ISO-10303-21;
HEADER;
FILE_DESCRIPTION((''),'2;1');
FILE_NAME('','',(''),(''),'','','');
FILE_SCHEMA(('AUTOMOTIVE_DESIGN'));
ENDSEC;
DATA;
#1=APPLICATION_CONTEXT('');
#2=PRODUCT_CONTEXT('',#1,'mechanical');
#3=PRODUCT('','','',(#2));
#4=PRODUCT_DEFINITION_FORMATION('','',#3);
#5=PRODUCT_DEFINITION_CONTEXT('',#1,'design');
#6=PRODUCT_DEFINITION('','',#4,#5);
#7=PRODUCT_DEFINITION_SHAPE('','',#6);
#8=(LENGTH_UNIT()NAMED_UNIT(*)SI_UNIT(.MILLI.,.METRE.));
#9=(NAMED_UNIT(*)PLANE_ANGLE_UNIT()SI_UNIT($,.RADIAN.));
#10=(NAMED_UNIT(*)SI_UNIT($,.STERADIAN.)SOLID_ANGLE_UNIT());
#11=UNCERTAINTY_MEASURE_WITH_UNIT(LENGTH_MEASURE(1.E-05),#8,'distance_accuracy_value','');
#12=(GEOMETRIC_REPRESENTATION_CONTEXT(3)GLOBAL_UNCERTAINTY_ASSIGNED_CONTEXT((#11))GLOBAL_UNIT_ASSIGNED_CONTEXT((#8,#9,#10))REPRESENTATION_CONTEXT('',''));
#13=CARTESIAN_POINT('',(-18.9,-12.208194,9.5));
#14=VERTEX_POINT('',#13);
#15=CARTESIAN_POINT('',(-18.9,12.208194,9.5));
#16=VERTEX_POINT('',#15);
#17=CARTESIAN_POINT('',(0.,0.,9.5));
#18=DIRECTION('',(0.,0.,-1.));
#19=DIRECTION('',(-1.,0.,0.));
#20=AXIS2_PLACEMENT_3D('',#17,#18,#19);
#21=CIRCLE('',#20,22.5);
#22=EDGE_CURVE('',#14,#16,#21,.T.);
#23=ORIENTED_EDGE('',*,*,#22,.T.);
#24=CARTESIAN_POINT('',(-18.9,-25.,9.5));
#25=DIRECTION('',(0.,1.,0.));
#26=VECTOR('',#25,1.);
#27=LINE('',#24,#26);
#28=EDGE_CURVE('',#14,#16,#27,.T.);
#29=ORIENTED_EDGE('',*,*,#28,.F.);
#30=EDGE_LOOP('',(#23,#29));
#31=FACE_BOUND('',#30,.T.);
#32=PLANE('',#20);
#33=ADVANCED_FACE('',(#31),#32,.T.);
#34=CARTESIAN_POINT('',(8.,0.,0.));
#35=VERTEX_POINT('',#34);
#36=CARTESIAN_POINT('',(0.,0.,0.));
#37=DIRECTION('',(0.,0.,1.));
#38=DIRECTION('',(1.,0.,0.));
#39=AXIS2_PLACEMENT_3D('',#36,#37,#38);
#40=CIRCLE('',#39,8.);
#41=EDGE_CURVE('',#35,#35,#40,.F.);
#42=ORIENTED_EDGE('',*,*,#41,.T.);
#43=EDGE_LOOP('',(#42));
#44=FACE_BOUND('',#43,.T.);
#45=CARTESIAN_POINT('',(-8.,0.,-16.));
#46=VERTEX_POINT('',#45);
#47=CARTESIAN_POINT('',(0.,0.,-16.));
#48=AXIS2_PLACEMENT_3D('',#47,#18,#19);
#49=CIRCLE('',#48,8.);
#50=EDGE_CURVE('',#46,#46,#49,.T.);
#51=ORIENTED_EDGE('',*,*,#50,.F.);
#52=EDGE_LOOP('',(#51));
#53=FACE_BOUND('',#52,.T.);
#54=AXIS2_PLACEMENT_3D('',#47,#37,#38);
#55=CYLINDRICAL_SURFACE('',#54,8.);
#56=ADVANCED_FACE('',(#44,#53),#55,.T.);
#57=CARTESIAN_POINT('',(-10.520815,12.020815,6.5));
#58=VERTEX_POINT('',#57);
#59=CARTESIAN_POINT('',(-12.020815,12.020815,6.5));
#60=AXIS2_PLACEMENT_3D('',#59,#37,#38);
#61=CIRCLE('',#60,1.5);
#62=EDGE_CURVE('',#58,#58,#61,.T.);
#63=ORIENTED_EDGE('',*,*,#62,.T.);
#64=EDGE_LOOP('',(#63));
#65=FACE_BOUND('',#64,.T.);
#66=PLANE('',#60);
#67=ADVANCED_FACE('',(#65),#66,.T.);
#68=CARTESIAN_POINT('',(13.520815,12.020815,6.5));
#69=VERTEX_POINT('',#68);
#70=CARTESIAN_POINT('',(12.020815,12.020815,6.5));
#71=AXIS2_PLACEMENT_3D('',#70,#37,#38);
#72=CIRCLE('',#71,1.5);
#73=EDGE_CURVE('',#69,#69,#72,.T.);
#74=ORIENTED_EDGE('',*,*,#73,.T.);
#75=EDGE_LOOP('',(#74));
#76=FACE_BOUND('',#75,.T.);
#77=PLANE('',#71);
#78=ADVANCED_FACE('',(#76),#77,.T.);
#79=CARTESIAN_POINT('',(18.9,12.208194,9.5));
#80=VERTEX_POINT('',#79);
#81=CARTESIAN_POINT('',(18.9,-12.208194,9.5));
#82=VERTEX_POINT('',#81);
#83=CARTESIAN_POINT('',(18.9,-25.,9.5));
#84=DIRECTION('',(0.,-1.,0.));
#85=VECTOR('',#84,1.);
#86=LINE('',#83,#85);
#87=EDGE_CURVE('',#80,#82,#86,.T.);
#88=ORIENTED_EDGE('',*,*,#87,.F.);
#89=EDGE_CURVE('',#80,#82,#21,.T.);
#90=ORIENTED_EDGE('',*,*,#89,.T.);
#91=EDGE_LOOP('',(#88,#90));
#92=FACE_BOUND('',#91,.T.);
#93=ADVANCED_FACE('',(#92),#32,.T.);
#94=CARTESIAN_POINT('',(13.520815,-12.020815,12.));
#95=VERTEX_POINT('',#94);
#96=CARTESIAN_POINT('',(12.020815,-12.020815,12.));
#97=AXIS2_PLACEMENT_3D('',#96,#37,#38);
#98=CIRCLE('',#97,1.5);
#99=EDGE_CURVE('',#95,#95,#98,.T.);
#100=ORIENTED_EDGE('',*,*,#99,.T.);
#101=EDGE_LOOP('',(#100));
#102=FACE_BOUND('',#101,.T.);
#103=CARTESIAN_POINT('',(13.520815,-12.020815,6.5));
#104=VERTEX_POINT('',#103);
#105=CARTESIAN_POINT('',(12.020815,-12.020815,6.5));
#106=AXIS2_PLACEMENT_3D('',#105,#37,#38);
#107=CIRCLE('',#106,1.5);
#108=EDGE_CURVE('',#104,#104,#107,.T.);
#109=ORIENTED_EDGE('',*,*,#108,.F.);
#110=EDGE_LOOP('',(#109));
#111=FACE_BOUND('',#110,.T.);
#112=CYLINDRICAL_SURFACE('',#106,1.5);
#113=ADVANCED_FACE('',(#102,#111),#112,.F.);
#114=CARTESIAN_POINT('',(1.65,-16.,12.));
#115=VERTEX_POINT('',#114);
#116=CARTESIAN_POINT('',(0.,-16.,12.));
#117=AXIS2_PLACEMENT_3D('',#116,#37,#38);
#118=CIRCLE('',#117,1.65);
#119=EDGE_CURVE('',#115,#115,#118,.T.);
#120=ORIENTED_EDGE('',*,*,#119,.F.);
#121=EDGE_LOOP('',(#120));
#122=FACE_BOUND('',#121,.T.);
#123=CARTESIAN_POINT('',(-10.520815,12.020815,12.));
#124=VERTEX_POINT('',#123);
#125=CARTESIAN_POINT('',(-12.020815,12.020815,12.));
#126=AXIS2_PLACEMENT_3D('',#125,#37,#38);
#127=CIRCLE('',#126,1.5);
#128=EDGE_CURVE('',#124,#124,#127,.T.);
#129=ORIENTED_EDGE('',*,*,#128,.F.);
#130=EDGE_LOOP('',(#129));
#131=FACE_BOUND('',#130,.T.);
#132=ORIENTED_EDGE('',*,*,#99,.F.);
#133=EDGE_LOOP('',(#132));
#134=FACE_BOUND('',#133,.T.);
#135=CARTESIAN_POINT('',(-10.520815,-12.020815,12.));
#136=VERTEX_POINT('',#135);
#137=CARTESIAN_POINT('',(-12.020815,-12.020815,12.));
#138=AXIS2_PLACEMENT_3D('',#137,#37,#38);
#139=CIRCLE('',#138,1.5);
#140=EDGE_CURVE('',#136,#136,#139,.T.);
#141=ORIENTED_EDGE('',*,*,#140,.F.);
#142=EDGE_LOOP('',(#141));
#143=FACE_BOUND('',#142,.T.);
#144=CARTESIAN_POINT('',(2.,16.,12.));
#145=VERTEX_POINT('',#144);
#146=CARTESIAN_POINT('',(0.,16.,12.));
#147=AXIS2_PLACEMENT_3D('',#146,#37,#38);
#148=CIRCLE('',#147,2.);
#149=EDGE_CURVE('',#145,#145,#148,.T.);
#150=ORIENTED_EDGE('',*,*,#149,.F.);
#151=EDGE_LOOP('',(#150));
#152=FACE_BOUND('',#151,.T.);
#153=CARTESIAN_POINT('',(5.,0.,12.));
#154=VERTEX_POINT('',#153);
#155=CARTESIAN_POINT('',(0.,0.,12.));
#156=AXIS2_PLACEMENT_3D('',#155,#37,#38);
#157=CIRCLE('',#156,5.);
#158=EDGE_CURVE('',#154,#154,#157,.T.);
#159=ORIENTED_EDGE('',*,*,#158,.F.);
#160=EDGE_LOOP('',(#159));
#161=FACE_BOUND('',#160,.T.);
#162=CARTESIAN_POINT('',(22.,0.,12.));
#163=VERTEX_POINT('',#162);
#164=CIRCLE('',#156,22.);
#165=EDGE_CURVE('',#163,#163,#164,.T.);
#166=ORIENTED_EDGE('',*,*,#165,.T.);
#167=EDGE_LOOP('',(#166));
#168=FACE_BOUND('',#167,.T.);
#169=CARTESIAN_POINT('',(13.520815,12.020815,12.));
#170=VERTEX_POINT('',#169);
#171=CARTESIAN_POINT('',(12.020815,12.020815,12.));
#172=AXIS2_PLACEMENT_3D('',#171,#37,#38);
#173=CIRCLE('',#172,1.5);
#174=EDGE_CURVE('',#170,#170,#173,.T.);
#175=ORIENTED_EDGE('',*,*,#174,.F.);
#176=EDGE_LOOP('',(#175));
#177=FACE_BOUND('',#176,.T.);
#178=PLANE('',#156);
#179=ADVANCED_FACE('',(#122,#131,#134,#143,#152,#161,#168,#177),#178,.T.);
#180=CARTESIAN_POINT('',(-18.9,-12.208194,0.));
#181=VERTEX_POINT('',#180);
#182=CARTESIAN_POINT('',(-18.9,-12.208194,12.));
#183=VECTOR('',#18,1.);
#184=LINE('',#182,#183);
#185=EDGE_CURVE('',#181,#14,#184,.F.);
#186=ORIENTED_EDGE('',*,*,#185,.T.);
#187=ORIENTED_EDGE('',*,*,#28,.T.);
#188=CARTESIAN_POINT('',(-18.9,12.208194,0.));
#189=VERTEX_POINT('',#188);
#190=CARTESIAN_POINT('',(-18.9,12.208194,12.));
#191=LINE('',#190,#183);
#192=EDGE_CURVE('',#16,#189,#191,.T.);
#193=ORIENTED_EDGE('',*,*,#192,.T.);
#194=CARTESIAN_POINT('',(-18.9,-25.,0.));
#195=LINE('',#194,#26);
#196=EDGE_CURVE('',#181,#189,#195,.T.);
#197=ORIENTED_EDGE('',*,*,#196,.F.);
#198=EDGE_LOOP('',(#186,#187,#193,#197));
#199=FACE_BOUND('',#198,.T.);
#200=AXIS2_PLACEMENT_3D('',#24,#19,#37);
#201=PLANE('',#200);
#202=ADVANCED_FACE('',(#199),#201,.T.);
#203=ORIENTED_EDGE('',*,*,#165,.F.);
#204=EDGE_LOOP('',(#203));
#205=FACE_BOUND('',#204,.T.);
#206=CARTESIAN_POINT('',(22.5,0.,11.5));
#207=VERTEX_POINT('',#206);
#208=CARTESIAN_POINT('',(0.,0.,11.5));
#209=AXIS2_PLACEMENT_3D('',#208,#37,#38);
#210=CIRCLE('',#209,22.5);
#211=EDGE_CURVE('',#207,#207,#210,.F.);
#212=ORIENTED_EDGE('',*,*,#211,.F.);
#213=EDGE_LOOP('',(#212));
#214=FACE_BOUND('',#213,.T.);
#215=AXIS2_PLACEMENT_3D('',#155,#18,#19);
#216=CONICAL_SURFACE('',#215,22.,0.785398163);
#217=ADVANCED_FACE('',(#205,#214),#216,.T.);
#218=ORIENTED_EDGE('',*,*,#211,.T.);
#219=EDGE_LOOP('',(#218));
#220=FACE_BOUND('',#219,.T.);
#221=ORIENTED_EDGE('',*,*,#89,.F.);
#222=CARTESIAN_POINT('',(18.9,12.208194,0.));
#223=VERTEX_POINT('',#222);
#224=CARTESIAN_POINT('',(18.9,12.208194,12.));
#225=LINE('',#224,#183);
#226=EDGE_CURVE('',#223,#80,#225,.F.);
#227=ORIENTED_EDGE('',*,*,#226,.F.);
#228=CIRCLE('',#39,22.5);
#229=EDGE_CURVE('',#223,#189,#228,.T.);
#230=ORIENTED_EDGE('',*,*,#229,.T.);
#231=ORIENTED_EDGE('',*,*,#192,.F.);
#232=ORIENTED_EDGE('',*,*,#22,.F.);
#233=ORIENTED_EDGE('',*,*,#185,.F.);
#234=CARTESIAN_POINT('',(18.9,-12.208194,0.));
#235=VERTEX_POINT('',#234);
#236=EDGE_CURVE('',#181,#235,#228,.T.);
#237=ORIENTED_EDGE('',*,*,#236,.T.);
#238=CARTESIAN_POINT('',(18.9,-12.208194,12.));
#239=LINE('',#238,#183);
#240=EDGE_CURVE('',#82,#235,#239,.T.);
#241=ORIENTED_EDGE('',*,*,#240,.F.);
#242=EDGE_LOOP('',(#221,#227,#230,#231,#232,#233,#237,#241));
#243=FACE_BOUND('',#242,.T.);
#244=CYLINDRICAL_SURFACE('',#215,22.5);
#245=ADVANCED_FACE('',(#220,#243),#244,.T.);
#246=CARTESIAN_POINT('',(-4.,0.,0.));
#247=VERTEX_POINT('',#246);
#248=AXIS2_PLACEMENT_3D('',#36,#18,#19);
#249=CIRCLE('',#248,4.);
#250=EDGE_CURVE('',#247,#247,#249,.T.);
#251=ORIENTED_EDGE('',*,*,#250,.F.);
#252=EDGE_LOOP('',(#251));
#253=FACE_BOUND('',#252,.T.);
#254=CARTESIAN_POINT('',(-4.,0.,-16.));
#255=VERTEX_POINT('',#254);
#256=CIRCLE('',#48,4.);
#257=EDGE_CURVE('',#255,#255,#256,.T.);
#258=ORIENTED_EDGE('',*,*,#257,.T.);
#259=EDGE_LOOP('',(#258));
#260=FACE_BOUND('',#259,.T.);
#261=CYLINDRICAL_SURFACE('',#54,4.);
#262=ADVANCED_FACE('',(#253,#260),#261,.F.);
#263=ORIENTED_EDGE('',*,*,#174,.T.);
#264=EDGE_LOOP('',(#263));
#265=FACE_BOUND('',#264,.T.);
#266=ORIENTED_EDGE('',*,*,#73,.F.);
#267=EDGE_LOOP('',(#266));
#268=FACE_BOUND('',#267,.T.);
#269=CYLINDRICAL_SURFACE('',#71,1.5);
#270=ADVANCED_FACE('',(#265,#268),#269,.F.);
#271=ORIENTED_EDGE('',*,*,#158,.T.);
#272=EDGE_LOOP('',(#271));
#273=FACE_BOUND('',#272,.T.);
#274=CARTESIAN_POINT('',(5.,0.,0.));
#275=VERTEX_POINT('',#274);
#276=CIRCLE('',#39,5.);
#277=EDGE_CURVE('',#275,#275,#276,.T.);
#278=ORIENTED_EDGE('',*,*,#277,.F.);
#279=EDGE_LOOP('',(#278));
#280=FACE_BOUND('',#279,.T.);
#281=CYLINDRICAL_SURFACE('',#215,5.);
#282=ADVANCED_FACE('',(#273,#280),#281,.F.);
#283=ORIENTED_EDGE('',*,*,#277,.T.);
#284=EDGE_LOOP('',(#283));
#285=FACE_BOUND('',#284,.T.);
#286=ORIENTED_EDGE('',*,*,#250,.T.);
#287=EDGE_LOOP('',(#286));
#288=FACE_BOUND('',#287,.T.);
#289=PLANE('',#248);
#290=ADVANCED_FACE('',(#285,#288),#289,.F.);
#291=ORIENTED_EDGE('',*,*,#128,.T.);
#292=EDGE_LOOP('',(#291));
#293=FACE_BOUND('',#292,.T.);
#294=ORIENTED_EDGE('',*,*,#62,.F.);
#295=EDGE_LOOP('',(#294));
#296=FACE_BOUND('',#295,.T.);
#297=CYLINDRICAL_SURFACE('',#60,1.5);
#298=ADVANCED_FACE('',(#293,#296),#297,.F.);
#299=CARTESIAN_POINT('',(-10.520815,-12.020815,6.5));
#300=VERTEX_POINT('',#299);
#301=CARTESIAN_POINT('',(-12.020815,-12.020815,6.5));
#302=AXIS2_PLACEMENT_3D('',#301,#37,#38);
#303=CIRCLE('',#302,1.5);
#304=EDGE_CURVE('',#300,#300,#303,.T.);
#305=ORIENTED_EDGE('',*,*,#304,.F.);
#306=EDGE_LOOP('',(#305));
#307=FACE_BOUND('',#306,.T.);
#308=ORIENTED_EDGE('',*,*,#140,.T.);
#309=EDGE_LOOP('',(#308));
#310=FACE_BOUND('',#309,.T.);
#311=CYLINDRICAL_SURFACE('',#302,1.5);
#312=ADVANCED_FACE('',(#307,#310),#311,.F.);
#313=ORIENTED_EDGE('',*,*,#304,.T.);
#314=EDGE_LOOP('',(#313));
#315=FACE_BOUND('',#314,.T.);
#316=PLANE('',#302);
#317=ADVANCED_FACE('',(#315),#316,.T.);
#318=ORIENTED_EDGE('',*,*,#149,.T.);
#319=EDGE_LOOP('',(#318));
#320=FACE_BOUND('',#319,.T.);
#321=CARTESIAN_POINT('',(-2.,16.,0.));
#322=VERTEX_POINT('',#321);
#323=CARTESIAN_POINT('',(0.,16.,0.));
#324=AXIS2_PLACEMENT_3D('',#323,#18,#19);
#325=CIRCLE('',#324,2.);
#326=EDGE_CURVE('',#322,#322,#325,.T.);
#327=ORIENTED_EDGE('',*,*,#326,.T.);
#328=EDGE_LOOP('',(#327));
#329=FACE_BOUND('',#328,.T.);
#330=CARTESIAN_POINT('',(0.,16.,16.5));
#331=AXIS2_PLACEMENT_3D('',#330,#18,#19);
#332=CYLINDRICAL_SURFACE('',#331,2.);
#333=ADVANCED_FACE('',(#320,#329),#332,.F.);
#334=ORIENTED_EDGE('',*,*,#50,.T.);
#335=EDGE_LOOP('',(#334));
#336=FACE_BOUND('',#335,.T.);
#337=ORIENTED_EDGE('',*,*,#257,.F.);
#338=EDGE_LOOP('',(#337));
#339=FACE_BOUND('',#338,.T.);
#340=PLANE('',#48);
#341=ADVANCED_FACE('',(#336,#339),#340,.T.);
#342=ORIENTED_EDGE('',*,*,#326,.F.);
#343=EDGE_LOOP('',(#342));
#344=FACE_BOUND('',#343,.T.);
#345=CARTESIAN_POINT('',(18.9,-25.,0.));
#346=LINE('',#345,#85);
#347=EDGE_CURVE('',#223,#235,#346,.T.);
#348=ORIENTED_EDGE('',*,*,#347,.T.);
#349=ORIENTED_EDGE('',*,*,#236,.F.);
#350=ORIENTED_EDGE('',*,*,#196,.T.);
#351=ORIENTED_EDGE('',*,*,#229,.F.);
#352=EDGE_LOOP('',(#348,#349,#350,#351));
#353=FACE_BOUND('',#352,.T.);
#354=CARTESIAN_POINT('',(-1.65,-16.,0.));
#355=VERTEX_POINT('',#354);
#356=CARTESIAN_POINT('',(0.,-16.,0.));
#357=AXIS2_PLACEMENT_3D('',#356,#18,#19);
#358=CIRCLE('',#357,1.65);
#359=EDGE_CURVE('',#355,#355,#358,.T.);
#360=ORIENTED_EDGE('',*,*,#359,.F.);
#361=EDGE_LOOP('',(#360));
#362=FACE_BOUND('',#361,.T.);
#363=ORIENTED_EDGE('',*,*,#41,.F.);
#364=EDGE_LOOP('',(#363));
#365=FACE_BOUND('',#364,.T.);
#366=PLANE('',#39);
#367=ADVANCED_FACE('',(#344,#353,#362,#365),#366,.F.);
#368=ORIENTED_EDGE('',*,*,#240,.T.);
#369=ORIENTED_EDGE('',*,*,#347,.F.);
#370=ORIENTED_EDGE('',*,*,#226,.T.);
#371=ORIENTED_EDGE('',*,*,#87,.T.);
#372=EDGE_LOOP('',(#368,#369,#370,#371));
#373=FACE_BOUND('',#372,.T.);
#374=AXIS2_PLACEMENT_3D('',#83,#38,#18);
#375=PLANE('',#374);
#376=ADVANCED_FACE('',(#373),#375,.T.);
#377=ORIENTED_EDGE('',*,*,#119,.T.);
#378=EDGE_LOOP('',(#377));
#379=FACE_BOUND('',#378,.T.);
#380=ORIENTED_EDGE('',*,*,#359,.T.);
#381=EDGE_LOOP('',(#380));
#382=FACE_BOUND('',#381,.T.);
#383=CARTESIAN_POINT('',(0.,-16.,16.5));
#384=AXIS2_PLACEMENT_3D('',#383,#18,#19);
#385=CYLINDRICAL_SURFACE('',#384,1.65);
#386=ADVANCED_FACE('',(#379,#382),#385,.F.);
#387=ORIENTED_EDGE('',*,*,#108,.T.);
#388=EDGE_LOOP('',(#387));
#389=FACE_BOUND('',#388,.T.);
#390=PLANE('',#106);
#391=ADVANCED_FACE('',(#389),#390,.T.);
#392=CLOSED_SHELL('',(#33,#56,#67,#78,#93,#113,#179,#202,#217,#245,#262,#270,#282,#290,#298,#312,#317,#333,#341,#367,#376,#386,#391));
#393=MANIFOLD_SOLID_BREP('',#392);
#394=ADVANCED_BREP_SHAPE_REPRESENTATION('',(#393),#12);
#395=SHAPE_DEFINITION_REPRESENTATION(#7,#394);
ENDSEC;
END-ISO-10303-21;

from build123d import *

# Parameters (mm, degrees)
SKETCH_1_R           = 22.5
SKETCH_1_R_2         = 5
EXTRUDE_1_DEPTH      = 12
SKETCH_2_R           = 1.5
CUT_EXTRUDE_1_DEPTH  = 5.5
CHAMFER_1_SIZE       = 0.5
SKETCH_3_OUTSIDE_W   = 59.952
SKETCH_3_OUTSIDE_H   = 59.952
SKETCH_3_OUTSIDE_W_2 = 37.8
SKETCH_3_OUTSIDE_H_2 = 50
CUT_EXTRUDE_2_DEPTH  = 9.5
SKETCH_4_R           = 8
SKETCH_4_R_2         = 4
EXTRUDE_2_DEPTH      = 16
SKETCH_5_R           = 2
SKETCH_5_R_2         = 1.65
CUT_EXTRUDE_3_DEPTH  = 16.5


with BuildPart() as part:
    # 草图1 → 凸台-拉伸1 (new body)
    with BuildSketch(Plane.XY):
        Circle(SKETCH_1_R)
        Circle(SKETCH_1_R_2, mode=Mode.SUBTRACT)
    extrude(amount=EXTRUDE_1_DEPTH)

    # 草图2 → 切除-拉伸1 (cut)
    with BuildSketch(Plane.XY.offset(12)):
        with Locations((12.02081528, 12.02081528)):
            Circle(SKETCH_2_R)
        with Locations((12.02081528, -12.02081528)):
            Circle(SKETCH_2_R)
        with Locations((-12.02081528, -12.02081528)):
            Circle(SKETCH_2_R)
        with Locations((-12.02081528, 12.02081528)):
            Circle(SKETCH_2_R)
    extrude(amount=-CUT_EXTRUDE_1_DEPTH, mode=Mode.SUBTRACT)

    # 倒角1
    chamfer_1_edges = [part.edges().sort_by_distance(p)[0] for p in [
        (-22.5, 0, 12),
    ]]
    chamfer(chamfer_1_edges, length=CHAMFER_1_SIZE)

    # 草图3 outside → 切除-拉伸2 (cut)
    with BuildSketch(Plane(origin=(0, 0, 0), x_dir=(-1, 0, 0), z_dir=(0, 0, -1))):
        Rectangle(SKETCH_3_OUTSIDE_W, SKETCH_3_OUTSIDE_H)
        Rectangle(SKETCH_3_OUTSIDE_W_2, SKETCH_3_OUTSIDE_H_2, mode=Mode.SUBTRACT)
    extrude(amount=-CUT_EXTRUDE_2_DEPTH, mode=Mode.SUBTRACT)

    # 草图4 → 凸台-拉伸2 (add)
    with BuildSketch(Plane(origin=(0, 0, 0), x_dir=(-1, 0, 0), z_dir=(0, 0, -1))):
        with Locations(Location((0, 0, 0), (0, 0, 180))):
            Circle(SKETCH_4_R)
        Circle(SKETCH_4_R_2, mode=Mode.SUBTRACT)
    extrude(amount=EXTRUDE_2_DEPTH)

    # 草图5 → 切除-拉伸3 (cut)
    with BuildSketch(Plane(origin=(0, 0, 0), x_dir=(-1, 0, 0), z_dir=(0, 0, -1))):
        with Locations((0, 16)):
            Circle(SKETCH_5_R)
        with Locations((0, -16)):
            Circle(SKETCH_5_R_2)
    extrude(amount=-CUT_EXTRUDE_3_DEPTH, mode=Mode.SUBTRACT)


solid = part.part
